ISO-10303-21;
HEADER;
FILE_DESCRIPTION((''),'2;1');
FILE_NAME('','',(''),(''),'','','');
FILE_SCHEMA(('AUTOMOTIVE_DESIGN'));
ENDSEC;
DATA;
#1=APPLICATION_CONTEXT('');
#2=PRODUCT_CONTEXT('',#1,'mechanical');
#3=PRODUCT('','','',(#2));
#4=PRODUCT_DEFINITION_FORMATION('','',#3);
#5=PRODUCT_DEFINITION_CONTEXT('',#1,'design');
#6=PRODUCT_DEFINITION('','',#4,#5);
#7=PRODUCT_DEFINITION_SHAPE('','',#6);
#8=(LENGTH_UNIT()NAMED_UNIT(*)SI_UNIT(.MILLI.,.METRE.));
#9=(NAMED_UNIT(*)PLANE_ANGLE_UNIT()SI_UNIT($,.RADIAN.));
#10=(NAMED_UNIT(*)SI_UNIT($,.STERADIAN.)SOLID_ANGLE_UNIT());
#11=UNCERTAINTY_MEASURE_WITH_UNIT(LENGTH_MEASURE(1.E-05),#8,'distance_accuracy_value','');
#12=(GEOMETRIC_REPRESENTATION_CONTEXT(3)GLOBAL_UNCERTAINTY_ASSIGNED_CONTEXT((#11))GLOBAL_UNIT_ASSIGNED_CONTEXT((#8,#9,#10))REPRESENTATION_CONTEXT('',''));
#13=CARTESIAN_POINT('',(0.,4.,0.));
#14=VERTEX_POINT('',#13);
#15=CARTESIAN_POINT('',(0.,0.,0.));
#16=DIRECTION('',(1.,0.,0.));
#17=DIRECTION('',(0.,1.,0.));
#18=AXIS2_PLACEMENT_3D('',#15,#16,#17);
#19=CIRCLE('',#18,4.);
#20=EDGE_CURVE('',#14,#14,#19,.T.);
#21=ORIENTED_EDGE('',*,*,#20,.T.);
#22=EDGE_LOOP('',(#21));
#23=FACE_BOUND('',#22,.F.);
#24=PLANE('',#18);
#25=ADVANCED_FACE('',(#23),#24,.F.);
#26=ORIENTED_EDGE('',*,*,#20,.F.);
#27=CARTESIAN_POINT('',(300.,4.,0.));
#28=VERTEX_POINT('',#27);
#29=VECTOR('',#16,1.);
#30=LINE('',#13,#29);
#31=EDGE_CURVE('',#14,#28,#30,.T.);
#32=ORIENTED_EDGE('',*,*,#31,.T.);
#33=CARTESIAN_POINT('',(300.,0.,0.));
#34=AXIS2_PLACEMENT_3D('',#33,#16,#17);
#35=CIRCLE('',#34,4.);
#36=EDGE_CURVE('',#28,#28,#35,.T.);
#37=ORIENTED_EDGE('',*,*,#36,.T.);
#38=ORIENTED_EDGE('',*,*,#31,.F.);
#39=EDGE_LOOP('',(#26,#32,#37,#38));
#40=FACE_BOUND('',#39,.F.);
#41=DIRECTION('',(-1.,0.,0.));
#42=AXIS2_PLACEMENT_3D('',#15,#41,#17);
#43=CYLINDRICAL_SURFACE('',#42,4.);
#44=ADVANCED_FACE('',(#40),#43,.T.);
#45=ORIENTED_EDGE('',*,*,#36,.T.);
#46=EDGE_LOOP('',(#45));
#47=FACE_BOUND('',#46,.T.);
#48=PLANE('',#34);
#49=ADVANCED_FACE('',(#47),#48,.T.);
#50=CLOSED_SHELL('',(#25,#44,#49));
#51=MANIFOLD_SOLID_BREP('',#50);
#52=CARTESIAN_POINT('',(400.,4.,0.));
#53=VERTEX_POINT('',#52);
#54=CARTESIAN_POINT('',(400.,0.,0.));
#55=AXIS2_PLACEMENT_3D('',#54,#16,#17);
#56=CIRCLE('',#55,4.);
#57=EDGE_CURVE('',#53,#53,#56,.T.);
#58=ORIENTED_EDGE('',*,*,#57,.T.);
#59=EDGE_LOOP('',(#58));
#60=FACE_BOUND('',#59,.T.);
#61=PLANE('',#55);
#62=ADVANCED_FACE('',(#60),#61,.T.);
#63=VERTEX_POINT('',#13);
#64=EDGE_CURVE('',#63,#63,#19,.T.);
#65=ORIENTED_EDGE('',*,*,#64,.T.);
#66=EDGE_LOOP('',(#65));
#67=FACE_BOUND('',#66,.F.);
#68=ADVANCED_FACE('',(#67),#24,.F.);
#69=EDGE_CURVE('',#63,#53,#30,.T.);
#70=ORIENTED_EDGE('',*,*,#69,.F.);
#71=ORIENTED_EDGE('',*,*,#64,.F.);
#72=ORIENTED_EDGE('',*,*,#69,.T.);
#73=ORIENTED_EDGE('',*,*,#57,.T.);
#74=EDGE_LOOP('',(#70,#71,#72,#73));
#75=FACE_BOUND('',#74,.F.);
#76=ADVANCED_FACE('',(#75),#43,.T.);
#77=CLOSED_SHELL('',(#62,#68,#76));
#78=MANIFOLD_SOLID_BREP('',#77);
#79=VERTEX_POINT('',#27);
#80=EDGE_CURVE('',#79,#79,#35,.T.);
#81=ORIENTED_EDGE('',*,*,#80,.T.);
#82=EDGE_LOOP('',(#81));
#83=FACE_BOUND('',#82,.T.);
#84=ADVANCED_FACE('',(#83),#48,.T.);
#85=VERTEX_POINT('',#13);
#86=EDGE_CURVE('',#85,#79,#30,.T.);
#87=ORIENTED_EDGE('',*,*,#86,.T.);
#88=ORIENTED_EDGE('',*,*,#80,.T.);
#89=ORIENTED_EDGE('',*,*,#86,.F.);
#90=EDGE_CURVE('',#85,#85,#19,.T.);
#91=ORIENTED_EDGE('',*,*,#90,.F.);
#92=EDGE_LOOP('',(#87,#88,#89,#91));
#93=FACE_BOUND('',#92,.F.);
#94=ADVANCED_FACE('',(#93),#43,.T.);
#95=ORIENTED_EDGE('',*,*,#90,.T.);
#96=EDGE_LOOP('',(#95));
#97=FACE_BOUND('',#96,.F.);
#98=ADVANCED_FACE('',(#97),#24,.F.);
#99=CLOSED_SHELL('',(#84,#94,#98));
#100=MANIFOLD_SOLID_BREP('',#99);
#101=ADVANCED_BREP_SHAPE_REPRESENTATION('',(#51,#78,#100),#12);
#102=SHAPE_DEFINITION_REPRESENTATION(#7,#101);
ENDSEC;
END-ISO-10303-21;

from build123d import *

# Parameters (mm, degrees)
F0_R     = 4
F1_DEPTH = 300
F2_DEPTH = 400
F3_DEPTH = 300


with BuildPart() as f1:
    # F0 (on Right) → F1 (new body)
    with BuildSketch(Plane.YZ):
        Circle(F0_R)
    extrude(amount=F1_DEPTH)


with BuildPart() as f2:
    # F0 (on Right) → F2 (new body)
    with BuildSketch(Plane.YZ):
        Circle(F0_R)
    extrude(amount=F2_DEPTH)


with BuildPart() as f3:
    # F0 (on Right) → F3 (new body)
    with BuildSketch(Plane.YZ):
        Circle(F0_R)
    extrude(amount=F3_DEPTH)


solid = Compound([f1.part, f2.part, f3.part])
